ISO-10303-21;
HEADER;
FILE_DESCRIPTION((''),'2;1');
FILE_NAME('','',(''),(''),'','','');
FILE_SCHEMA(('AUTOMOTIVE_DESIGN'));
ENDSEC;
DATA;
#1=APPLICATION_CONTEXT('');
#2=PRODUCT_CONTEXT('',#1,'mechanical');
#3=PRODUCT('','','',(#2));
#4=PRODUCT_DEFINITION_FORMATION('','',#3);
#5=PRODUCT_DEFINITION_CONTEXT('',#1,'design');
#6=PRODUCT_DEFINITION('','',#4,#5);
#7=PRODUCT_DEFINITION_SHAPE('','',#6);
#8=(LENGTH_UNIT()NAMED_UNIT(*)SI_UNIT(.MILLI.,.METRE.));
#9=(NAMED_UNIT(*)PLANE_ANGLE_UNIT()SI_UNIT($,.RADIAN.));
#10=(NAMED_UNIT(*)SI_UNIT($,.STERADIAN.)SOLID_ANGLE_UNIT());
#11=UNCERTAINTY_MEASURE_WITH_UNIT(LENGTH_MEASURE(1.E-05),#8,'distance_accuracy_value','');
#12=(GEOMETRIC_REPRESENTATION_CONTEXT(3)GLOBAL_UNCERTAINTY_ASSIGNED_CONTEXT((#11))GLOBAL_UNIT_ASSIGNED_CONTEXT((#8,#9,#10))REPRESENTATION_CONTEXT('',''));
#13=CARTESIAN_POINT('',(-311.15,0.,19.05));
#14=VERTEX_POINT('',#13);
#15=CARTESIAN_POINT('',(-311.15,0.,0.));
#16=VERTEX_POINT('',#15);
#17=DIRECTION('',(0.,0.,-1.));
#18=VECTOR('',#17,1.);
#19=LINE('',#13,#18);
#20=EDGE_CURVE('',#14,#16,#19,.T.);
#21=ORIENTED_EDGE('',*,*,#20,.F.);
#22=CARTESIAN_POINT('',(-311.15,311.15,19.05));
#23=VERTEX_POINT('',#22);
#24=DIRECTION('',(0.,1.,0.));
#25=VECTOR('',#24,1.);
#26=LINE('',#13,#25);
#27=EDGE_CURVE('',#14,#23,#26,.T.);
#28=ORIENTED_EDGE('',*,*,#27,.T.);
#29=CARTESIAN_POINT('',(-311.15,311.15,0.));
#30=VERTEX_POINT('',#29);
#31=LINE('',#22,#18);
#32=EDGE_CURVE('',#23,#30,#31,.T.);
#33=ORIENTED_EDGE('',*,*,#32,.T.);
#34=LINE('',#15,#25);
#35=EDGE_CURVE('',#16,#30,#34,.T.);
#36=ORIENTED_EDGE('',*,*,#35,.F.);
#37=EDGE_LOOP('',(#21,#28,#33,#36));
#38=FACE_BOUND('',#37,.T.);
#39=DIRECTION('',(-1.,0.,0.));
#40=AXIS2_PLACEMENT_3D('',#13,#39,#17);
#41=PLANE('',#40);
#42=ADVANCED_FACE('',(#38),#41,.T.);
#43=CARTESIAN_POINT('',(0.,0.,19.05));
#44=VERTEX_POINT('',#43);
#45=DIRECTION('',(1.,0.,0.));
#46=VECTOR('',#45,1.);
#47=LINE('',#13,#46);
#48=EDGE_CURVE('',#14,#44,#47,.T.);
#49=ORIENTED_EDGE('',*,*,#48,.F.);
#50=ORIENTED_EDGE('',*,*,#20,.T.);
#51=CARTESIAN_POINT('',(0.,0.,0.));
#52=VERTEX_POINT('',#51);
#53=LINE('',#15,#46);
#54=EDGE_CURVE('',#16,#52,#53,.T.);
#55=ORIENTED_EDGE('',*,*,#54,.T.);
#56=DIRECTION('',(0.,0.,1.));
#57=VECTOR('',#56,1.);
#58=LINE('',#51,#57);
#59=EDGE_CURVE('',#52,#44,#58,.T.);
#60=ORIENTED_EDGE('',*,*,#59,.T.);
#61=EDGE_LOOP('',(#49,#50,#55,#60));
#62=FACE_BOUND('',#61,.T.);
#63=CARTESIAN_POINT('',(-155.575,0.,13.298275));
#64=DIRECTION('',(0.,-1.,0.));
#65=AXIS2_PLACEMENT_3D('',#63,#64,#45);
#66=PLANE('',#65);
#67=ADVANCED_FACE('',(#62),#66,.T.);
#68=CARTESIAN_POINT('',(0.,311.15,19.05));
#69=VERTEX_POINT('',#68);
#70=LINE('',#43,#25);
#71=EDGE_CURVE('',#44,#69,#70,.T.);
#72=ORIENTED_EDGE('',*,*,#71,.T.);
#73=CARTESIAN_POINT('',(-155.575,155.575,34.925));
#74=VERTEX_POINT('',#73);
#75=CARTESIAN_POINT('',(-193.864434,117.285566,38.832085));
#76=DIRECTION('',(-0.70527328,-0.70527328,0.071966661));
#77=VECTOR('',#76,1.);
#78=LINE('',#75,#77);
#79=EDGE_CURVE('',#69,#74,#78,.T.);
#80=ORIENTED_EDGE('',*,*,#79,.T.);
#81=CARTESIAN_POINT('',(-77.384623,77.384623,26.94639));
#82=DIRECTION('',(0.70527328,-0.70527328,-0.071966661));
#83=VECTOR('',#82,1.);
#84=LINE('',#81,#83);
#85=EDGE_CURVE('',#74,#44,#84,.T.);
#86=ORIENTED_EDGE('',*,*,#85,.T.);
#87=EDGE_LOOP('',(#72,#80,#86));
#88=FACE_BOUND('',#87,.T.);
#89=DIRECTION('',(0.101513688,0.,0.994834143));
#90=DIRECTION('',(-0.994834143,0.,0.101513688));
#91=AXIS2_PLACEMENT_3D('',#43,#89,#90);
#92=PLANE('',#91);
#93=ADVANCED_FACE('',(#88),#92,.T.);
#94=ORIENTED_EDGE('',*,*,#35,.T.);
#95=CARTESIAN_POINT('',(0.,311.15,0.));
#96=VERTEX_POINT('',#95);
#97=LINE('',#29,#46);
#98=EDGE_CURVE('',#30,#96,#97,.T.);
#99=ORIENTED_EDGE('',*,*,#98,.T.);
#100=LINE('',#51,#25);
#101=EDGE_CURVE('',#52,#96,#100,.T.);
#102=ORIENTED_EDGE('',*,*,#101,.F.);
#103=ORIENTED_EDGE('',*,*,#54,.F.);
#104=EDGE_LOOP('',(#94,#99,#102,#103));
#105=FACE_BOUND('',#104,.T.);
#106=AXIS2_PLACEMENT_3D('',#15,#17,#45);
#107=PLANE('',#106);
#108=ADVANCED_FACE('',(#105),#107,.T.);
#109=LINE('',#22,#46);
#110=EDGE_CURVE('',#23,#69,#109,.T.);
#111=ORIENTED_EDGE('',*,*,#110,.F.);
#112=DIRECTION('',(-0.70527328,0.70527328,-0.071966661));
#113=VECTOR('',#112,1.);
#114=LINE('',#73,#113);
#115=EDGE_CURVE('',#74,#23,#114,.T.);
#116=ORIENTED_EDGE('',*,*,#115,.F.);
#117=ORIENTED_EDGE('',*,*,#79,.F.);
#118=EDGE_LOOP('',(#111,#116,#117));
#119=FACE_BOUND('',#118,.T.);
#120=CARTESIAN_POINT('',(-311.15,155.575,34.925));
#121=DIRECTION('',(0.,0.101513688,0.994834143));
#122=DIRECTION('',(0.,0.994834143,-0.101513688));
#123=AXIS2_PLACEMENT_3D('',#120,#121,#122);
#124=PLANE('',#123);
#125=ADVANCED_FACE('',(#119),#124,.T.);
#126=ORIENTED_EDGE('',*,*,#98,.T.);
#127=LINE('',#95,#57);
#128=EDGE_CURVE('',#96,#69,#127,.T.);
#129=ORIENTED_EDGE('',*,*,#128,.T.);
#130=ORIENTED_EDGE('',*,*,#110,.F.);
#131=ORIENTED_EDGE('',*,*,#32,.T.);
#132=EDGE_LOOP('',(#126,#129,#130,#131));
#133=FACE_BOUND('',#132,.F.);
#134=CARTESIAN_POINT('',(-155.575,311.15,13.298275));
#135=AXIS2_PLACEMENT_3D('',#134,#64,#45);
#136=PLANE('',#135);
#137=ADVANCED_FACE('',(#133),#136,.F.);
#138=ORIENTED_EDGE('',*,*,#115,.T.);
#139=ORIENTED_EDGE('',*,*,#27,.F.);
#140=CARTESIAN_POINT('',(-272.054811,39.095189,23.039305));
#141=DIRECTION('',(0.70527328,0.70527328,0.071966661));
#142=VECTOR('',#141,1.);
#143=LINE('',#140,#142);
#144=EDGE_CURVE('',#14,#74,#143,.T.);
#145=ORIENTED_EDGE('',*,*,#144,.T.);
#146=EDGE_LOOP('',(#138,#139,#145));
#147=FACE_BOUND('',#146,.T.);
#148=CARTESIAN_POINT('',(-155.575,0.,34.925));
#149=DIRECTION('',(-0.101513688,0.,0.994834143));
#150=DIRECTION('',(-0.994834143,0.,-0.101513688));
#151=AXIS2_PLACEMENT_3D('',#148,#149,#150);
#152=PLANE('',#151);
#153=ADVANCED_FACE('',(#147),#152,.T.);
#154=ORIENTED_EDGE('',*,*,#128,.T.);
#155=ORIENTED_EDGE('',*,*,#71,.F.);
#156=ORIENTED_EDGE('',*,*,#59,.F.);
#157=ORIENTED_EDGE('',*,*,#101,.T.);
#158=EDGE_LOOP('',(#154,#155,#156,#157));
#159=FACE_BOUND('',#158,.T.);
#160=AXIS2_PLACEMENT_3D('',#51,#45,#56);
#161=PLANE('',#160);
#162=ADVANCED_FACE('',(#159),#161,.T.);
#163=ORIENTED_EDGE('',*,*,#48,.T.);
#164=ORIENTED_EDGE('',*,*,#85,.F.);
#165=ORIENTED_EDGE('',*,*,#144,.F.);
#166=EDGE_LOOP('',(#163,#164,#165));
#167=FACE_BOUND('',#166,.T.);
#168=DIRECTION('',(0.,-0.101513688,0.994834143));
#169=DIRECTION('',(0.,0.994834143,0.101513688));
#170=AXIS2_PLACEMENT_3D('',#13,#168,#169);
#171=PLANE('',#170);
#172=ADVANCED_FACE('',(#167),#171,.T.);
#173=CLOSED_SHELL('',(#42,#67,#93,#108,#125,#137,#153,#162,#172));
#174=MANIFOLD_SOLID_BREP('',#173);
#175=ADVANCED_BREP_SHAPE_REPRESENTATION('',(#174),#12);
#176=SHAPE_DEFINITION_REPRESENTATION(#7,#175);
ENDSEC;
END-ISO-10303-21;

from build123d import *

# Parameters (mm, degrees)
F1_DEPTH = 311.15
F2_W     = 311.15
F2_H     = 19.05
F3_DEPTH = 311.151


with BuildPart() as f1:
    # F0 (on Front) → F1 (new body)
    with BuildSketch(Plane.XZ):
        Polygon((-311.15, 0), (0, 0), (0, 19.05), (-155.575, 34.925), (-311.15, 19.05), align=None)
    extrude(amount=-F1_DEPTH)

    # F2 (on face) → F3 (intersect, through all)
    with BuildSketch(Plane(origin=(-311.15, 0, 0), x_dir=(0, -1, 0), z_dir=(-1, 0, 0))):
        Polygon((-311.15, 19.05), (0, 19.05), (-155.575, 34.925), align=None)
        with Locations((-155.575, 9.525)):
            Rectangle(F2_W, F2_H)
    extrude(amount=-F3_DEPTH, mode=Mode.INTERSECT)


solid = f1.part
